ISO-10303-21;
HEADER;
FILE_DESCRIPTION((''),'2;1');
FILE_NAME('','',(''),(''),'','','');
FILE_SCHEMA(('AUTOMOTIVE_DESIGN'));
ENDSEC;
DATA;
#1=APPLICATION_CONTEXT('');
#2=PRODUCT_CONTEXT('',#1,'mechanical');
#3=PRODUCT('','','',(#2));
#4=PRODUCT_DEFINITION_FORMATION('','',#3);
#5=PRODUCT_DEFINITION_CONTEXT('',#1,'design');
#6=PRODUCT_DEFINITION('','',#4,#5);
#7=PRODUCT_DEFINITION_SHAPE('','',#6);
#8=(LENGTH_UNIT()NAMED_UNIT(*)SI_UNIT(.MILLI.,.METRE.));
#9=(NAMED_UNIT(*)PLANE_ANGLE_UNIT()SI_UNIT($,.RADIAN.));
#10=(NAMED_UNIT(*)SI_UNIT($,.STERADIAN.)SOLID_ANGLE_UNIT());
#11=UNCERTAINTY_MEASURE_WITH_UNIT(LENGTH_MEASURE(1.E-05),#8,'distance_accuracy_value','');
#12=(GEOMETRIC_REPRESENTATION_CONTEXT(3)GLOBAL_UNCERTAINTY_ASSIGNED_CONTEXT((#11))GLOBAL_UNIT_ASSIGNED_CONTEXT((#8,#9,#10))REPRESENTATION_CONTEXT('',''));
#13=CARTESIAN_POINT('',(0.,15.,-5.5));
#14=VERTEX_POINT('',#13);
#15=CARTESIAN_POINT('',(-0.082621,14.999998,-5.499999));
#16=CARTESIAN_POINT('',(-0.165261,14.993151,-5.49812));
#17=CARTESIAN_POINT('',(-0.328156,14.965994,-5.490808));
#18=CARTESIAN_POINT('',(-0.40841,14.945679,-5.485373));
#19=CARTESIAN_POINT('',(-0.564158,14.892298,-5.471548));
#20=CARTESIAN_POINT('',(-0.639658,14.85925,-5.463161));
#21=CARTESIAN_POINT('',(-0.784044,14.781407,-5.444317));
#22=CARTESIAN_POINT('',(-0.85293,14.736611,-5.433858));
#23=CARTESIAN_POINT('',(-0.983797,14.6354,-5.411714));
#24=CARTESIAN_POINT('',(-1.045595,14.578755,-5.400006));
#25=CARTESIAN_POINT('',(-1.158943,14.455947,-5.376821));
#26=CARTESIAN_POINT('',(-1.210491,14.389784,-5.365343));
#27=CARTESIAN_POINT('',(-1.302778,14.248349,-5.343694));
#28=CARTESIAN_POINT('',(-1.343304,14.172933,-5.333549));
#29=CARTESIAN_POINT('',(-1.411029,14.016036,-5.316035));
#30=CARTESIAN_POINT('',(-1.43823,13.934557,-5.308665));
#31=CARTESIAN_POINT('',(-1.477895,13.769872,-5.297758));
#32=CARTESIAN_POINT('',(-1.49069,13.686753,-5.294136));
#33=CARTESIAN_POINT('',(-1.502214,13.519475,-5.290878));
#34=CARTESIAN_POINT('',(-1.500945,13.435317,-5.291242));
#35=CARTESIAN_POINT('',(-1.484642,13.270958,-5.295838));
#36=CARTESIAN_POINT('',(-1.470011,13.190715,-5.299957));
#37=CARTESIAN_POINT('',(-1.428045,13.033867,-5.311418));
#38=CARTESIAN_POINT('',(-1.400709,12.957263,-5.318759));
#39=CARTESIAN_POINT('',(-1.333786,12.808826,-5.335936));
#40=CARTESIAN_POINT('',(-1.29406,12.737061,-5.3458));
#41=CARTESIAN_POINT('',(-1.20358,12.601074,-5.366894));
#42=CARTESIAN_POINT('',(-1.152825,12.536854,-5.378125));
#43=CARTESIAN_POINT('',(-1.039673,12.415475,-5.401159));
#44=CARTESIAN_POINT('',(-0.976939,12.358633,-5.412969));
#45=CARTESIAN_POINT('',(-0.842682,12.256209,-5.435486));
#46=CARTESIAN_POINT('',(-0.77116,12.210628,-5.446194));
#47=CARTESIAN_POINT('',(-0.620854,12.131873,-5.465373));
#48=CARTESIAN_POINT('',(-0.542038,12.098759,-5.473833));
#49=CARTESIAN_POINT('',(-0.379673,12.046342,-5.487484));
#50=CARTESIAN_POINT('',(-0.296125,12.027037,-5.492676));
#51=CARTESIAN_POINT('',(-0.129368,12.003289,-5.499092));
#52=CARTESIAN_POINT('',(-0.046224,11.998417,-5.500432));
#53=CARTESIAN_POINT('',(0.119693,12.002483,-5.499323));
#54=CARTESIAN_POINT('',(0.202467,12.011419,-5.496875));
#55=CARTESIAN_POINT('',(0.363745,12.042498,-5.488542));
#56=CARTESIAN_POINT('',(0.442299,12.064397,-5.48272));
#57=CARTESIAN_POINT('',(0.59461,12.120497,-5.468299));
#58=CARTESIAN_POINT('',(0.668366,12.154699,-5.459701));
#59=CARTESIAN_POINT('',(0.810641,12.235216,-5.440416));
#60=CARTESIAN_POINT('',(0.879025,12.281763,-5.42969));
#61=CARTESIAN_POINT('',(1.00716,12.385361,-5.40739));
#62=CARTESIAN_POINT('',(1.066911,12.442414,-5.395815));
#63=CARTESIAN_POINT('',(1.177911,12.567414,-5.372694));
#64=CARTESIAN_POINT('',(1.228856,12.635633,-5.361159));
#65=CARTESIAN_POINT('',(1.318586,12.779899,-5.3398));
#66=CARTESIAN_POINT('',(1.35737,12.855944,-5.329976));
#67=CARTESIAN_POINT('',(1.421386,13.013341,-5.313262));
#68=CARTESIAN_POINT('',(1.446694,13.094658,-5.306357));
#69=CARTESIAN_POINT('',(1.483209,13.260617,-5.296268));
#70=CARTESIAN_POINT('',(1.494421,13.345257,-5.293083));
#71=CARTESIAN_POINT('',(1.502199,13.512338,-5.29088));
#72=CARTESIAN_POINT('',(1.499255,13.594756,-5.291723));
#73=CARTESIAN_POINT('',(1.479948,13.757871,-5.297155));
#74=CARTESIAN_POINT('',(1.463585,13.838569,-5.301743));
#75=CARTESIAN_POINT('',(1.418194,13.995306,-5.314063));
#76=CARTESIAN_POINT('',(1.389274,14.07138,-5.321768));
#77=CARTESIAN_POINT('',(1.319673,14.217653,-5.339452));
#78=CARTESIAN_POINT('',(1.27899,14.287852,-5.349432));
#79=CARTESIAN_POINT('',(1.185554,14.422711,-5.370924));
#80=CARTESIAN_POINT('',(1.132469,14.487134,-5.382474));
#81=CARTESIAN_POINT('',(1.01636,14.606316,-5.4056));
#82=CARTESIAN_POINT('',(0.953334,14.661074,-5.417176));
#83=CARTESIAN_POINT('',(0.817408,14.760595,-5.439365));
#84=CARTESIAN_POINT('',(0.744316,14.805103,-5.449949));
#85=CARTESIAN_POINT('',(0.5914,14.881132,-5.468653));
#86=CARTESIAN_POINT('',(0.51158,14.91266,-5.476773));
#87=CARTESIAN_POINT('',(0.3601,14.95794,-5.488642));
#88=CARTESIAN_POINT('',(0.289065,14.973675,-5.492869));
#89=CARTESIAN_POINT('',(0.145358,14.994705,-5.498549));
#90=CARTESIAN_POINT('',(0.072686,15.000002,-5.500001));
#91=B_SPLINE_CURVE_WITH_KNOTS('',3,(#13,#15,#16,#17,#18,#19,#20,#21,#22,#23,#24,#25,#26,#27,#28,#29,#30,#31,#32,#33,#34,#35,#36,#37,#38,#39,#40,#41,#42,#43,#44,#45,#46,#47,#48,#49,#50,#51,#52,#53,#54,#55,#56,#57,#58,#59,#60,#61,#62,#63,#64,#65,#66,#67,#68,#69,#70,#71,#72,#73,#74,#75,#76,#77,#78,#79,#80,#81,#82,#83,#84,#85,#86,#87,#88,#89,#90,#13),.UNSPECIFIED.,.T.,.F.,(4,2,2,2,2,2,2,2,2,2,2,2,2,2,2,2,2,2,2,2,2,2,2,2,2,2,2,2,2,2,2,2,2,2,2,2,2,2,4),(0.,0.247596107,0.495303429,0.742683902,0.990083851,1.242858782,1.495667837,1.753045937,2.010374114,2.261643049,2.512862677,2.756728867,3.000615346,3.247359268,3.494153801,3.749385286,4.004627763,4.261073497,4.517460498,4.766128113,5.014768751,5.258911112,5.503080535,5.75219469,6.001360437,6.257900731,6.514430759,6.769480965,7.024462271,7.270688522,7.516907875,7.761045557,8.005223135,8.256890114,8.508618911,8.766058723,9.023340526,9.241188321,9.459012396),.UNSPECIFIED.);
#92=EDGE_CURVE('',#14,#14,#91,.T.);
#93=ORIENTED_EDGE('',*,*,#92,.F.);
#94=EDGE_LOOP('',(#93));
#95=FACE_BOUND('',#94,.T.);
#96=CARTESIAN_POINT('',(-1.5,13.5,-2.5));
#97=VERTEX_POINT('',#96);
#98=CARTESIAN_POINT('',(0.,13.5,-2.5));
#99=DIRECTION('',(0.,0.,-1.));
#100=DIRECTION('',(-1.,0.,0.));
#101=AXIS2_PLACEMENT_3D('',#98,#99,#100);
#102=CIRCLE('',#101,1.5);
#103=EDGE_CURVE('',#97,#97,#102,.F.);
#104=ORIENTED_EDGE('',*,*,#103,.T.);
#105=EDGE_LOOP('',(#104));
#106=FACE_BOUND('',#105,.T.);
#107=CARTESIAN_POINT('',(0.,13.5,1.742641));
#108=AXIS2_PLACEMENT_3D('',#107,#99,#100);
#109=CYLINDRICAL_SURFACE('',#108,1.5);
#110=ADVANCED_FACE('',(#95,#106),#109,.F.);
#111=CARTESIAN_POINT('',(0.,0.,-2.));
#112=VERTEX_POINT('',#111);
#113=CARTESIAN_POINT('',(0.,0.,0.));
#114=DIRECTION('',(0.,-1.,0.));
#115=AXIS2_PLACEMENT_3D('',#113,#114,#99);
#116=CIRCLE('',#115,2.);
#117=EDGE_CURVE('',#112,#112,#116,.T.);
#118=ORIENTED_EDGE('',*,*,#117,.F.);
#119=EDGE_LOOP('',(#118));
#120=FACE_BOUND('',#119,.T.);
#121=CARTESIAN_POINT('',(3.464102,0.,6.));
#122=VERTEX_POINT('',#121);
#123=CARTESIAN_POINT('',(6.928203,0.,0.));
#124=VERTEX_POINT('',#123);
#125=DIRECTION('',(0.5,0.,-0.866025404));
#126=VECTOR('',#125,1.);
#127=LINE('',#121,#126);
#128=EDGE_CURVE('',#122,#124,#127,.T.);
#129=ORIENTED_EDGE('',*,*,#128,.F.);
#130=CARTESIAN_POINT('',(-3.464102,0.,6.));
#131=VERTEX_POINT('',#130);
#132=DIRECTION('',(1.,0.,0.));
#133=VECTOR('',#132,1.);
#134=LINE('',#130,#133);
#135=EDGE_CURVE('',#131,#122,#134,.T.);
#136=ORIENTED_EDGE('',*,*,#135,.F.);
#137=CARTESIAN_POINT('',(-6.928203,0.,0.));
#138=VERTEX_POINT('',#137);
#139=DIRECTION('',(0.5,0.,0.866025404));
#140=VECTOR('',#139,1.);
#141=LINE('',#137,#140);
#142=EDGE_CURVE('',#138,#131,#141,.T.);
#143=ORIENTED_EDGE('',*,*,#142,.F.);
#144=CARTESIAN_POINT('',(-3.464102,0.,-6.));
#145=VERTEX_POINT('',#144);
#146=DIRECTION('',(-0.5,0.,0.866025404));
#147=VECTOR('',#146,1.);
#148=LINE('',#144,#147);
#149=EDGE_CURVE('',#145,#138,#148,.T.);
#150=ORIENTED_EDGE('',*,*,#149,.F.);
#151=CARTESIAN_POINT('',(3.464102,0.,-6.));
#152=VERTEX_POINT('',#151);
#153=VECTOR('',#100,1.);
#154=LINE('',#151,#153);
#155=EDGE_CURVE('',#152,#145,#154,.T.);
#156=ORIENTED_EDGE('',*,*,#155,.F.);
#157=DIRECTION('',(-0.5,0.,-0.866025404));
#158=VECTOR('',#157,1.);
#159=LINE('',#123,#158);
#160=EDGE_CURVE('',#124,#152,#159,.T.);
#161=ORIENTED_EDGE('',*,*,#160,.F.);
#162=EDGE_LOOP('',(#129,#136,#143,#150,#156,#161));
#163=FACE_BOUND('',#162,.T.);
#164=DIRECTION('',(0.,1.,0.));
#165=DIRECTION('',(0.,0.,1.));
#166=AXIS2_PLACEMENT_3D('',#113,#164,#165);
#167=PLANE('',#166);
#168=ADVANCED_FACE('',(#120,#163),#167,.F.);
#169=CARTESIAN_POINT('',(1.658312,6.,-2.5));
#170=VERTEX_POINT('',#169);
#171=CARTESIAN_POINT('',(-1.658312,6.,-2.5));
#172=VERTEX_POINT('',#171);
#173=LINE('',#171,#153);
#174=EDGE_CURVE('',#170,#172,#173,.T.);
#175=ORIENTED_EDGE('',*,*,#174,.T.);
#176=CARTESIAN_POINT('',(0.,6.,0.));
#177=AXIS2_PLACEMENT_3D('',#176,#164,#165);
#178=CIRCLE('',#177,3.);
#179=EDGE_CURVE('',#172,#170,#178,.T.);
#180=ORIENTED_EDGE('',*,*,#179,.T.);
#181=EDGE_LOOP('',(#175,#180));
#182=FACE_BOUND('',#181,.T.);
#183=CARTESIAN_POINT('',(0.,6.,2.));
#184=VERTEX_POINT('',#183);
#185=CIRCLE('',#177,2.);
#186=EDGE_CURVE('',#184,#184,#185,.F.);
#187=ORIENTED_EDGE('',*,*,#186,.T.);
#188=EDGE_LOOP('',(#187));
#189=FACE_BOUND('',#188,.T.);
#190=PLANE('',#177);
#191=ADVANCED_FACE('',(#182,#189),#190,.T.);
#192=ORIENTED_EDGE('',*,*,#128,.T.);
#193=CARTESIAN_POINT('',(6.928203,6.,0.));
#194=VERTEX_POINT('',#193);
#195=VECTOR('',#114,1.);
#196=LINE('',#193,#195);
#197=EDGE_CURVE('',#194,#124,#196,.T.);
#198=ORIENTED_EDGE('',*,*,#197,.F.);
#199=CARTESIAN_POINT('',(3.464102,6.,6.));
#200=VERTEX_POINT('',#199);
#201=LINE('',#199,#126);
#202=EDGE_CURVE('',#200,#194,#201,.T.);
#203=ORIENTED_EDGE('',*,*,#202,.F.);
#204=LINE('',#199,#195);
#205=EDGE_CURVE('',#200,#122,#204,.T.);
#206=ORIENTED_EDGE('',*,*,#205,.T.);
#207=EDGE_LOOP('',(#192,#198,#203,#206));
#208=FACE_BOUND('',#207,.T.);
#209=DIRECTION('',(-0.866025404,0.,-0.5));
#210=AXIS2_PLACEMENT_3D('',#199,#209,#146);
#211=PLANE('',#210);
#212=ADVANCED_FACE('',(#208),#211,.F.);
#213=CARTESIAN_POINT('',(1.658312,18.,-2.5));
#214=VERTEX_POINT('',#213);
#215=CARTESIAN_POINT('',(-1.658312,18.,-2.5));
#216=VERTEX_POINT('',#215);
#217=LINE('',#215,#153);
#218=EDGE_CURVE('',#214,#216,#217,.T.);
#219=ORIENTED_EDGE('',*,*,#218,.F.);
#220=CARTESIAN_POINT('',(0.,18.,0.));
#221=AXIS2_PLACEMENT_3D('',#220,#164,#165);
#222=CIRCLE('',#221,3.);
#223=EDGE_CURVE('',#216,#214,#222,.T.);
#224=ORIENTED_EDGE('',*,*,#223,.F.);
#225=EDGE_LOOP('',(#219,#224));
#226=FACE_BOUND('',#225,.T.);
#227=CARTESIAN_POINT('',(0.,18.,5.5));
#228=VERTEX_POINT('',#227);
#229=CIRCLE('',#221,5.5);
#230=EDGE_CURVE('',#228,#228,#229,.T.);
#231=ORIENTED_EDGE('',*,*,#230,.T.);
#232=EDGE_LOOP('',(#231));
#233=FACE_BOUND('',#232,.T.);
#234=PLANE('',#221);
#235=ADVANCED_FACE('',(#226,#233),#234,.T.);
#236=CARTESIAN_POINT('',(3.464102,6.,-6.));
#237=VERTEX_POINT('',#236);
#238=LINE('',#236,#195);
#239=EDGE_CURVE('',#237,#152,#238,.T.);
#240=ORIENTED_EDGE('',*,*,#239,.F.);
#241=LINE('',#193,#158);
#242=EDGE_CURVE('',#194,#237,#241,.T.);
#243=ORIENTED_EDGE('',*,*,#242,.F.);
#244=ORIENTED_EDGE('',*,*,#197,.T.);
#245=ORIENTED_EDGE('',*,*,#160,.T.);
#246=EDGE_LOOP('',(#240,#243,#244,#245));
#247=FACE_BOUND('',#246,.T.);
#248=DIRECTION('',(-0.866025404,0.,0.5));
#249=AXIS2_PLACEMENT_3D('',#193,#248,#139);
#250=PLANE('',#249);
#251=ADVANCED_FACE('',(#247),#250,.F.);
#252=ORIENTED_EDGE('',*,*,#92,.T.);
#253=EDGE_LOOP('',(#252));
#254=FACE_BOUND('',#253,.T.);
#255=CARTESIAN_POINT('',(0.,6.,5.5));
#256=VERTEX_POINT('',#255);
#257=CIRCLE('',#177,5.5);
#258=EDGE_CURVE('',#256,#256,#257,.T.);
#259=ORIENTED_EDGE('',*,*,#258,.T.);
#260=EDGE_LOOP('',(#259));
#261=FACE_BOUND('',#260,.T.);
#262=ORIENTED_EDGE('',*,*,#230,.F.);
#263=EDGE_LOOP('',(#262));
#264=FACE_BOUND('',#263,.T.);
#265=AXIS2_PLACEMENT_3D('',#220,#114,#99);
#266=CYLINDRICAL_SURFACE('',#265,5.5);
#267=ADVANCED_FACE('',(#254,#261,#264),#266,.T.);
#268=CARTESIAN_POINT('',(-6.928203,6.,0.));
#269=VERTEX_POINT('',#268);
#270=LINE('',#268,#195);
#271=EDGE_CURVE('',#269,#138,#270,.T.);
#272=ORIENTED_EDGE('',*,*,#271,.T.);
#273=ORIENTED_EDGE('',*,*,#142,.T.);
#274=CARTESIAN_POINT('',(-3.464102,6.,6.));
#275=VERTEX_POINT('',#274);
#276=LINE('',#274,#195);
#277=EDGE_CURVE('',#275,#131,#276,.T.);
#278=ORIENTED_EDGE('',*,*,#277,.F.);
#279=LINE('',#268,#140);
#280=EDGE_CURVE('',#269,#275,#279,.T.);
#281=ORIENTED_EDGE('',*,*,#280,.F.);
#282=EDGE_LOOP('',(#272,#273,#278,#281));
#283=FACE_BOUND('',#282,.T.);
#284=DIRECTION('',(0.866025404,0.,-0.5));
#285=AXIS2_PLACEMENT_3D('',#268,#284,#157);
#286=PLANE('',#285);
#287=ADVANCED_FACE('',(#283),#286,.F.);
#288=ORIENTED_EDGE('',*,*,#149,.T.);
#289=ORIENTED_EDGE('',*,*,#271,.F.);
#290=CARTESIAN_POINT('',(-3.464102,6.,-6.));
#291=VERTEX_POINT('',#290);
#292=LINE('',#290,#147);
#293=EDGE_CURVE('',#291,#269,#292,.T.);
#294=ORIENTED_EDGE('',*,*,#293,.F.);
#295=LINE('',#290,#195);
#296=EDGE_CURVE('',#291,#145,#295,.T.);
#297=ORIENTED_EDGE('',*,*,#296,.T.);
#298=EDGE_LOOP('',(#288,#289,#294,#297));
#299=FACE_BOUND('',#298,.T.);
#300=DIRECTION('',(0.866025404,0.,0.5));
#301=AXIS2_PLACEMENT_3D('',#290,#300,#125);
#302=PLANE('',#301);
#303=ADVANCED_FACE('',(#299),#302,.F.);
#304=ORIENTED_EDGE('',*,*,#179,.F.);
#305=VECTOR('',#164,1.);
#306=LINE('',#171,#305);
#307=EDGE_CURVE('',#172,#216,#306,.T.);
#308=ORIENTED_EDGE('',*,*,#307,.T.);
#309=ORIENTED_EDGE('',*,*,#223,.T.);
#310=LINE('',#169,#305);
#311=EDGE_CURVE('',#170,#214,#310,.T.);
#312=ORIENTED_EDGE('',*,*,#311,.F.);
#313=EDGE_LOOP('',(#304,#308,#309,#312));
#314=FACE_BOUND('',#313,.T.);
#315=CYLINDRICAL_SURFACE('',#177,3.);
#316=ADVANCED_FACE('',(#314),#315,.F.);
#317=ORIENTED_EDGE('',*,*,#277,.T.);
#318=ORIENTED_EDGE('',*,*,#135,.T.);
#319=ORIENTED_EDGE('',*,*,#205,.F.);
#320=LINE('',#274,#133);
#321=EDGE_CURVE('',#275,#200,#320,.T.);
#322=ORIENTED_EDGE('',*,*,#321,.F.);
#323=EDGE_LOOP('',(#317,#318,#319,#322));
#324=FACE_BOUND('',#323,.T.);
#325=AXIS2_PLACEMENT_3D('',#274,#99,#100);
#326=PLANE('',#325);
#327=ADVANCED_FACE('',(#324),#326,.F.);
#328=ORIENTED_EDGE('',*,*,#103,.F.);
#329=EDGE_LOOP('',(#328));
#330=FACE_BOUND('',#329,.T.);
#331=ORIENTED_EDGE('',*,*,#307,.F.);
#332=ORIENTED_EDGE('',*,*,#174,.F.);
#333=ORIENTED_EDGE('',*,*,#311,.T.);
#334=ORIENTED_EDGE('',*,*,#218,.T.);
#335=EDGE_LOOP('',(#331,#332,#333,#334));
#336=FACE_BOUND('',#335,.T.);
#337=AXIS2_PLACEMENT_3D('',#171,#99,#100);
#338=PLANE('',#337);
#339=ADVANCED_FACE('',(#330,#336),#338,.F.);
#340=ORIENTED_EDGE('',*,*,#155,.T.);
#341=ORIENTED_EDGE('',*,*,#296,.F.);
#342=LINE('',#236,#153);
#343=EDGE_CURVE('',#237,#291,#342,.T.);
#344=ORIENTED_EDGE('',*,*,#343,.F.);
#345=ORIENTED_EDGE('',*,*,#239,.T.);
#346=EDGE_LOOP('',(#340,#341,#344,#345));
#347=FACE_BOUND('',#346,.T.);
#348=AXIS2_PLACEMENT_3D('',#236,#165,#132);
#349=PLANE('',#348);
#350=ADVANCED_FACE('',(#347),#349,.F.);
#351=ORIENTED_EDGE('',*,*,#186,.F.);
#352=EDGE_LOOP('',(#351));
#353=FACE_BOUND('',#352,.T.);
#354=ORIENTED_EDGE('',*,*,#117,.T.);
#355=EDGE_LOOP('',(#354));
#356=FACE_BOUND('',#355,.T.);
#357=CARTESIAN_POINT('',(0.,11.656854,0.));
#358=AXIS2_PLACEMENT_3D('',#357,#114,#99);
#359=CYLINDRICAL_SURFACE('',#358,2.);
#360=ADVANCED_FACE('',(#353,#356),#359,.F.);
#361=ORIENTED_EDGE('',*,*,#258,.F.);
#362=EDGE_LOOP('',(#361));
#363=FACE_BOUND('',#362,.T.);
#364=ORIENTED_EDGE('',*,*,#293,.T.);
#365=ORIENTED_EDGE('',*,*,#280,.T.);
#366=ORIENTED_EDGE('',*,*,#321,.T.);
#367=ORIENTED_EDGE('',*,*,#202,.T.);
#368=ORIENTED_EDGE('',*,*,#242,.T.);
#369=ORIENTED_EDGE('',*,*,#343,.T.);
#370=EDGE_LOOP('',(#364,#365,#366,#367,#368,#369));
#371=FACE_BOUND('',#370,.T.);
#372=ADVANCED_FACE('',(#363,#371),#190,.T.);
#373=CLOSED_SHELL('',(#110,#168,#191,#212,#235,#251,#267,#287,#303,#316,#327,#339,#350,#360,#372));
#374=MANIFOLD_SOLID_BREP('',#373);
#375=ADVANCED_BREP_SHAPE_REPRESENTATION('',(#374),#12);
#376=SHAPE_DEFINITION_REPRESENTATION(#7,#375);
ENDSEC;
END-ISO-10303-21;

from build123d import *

# Parameters (mm, degrees)
SALIENTE_EXTRUIR1_DEPTH = 6
CROQUIS_BODY_R          = 5.5
SALIENTE_EXTRUIR2_DEPTH = 12
CORTAR_EXTRUIR1_DEPTH   = 12
CROQUIS5_R              = 1.5
CORTAR_EXTRUIR2_DEPTH   = 3.5
CROQUIS6_R              = 2
CORTAR_EXTRUIR3_DEPTH   = 6


with BuildPart() as part:
    # Croquis hex-head → Saliente-Extruir1 (new body)
    with BuildSketch(Plane(origin=(0, 0, 0), x_dir=(1, 0, 0), z_dir=(0, 1, 0))):
        Polygon((6.92820323, 0), (3.464101615, 6), (-3.464101615, 6), (-6.92820323, 0), (-3.464101615, -6), (3.464101615, -6), align=None)
    extrude(amount=SALIENTE_EXTRUIR1_DEPTH)

    # Croquis body → Saliente-Extruir2 (add)
    with BuildSketch(Plane(origin=(0, 6, 0), x_dir=(1, 0, 0), z_dir=(0, 1, 0))):
        with Locations(Location((0, 0, 0), (0, 0, 270))):
            Circle(CROQUIS_BODY_R)
    extrude(amount=SALIENTE_EXTRUIR2_DEPTH)

    # Croquis inner → Cortar-Extruir1 (cut)
    with BuildSketch(Plane(origin=(0, 18, 0), x_dir=(1, 0, 0), z_dir=(0, 1, 0))):
        with BuildLine():
            Line((-1.658312395, 2.5), (1.658312395, 2.5))
            ThreePointArc((1.658312395, 2.5), (0, -3), (-1.658312395, 2.5))
        make_face()
    extrude(amount=-CORTAR_EXTRUIR1_DEPTH, mode=Mode.SUBTRACT)

    # Croquis5 → Cortar-Extruir2 (cut)
    with BuildSketch(Plane(origin=(0, 0, -6), x_dir=(-1, 0, 0), z_dir=(0, 0, -1))):
        with Locations((0, 13.5)):
            Circle(CROQUIS5_R)
    extrude(amount=-CORTAR_EXTRUIR2_DEPTH, mode=Mode.SUBTRACT)

    # Croquis6 → Cortar-Extruir3 (cut)
    with BuildSketch(Plane.XZ):
        with Locations(Location((0, 0, 0), (0, 0, 270))):
            Circle(CROQUIS6_R)
    extrude(amount=-CORTAR_EXTRUIR3_DEPTH, mode=Mode.SUBTRACT)


solid = part.part
